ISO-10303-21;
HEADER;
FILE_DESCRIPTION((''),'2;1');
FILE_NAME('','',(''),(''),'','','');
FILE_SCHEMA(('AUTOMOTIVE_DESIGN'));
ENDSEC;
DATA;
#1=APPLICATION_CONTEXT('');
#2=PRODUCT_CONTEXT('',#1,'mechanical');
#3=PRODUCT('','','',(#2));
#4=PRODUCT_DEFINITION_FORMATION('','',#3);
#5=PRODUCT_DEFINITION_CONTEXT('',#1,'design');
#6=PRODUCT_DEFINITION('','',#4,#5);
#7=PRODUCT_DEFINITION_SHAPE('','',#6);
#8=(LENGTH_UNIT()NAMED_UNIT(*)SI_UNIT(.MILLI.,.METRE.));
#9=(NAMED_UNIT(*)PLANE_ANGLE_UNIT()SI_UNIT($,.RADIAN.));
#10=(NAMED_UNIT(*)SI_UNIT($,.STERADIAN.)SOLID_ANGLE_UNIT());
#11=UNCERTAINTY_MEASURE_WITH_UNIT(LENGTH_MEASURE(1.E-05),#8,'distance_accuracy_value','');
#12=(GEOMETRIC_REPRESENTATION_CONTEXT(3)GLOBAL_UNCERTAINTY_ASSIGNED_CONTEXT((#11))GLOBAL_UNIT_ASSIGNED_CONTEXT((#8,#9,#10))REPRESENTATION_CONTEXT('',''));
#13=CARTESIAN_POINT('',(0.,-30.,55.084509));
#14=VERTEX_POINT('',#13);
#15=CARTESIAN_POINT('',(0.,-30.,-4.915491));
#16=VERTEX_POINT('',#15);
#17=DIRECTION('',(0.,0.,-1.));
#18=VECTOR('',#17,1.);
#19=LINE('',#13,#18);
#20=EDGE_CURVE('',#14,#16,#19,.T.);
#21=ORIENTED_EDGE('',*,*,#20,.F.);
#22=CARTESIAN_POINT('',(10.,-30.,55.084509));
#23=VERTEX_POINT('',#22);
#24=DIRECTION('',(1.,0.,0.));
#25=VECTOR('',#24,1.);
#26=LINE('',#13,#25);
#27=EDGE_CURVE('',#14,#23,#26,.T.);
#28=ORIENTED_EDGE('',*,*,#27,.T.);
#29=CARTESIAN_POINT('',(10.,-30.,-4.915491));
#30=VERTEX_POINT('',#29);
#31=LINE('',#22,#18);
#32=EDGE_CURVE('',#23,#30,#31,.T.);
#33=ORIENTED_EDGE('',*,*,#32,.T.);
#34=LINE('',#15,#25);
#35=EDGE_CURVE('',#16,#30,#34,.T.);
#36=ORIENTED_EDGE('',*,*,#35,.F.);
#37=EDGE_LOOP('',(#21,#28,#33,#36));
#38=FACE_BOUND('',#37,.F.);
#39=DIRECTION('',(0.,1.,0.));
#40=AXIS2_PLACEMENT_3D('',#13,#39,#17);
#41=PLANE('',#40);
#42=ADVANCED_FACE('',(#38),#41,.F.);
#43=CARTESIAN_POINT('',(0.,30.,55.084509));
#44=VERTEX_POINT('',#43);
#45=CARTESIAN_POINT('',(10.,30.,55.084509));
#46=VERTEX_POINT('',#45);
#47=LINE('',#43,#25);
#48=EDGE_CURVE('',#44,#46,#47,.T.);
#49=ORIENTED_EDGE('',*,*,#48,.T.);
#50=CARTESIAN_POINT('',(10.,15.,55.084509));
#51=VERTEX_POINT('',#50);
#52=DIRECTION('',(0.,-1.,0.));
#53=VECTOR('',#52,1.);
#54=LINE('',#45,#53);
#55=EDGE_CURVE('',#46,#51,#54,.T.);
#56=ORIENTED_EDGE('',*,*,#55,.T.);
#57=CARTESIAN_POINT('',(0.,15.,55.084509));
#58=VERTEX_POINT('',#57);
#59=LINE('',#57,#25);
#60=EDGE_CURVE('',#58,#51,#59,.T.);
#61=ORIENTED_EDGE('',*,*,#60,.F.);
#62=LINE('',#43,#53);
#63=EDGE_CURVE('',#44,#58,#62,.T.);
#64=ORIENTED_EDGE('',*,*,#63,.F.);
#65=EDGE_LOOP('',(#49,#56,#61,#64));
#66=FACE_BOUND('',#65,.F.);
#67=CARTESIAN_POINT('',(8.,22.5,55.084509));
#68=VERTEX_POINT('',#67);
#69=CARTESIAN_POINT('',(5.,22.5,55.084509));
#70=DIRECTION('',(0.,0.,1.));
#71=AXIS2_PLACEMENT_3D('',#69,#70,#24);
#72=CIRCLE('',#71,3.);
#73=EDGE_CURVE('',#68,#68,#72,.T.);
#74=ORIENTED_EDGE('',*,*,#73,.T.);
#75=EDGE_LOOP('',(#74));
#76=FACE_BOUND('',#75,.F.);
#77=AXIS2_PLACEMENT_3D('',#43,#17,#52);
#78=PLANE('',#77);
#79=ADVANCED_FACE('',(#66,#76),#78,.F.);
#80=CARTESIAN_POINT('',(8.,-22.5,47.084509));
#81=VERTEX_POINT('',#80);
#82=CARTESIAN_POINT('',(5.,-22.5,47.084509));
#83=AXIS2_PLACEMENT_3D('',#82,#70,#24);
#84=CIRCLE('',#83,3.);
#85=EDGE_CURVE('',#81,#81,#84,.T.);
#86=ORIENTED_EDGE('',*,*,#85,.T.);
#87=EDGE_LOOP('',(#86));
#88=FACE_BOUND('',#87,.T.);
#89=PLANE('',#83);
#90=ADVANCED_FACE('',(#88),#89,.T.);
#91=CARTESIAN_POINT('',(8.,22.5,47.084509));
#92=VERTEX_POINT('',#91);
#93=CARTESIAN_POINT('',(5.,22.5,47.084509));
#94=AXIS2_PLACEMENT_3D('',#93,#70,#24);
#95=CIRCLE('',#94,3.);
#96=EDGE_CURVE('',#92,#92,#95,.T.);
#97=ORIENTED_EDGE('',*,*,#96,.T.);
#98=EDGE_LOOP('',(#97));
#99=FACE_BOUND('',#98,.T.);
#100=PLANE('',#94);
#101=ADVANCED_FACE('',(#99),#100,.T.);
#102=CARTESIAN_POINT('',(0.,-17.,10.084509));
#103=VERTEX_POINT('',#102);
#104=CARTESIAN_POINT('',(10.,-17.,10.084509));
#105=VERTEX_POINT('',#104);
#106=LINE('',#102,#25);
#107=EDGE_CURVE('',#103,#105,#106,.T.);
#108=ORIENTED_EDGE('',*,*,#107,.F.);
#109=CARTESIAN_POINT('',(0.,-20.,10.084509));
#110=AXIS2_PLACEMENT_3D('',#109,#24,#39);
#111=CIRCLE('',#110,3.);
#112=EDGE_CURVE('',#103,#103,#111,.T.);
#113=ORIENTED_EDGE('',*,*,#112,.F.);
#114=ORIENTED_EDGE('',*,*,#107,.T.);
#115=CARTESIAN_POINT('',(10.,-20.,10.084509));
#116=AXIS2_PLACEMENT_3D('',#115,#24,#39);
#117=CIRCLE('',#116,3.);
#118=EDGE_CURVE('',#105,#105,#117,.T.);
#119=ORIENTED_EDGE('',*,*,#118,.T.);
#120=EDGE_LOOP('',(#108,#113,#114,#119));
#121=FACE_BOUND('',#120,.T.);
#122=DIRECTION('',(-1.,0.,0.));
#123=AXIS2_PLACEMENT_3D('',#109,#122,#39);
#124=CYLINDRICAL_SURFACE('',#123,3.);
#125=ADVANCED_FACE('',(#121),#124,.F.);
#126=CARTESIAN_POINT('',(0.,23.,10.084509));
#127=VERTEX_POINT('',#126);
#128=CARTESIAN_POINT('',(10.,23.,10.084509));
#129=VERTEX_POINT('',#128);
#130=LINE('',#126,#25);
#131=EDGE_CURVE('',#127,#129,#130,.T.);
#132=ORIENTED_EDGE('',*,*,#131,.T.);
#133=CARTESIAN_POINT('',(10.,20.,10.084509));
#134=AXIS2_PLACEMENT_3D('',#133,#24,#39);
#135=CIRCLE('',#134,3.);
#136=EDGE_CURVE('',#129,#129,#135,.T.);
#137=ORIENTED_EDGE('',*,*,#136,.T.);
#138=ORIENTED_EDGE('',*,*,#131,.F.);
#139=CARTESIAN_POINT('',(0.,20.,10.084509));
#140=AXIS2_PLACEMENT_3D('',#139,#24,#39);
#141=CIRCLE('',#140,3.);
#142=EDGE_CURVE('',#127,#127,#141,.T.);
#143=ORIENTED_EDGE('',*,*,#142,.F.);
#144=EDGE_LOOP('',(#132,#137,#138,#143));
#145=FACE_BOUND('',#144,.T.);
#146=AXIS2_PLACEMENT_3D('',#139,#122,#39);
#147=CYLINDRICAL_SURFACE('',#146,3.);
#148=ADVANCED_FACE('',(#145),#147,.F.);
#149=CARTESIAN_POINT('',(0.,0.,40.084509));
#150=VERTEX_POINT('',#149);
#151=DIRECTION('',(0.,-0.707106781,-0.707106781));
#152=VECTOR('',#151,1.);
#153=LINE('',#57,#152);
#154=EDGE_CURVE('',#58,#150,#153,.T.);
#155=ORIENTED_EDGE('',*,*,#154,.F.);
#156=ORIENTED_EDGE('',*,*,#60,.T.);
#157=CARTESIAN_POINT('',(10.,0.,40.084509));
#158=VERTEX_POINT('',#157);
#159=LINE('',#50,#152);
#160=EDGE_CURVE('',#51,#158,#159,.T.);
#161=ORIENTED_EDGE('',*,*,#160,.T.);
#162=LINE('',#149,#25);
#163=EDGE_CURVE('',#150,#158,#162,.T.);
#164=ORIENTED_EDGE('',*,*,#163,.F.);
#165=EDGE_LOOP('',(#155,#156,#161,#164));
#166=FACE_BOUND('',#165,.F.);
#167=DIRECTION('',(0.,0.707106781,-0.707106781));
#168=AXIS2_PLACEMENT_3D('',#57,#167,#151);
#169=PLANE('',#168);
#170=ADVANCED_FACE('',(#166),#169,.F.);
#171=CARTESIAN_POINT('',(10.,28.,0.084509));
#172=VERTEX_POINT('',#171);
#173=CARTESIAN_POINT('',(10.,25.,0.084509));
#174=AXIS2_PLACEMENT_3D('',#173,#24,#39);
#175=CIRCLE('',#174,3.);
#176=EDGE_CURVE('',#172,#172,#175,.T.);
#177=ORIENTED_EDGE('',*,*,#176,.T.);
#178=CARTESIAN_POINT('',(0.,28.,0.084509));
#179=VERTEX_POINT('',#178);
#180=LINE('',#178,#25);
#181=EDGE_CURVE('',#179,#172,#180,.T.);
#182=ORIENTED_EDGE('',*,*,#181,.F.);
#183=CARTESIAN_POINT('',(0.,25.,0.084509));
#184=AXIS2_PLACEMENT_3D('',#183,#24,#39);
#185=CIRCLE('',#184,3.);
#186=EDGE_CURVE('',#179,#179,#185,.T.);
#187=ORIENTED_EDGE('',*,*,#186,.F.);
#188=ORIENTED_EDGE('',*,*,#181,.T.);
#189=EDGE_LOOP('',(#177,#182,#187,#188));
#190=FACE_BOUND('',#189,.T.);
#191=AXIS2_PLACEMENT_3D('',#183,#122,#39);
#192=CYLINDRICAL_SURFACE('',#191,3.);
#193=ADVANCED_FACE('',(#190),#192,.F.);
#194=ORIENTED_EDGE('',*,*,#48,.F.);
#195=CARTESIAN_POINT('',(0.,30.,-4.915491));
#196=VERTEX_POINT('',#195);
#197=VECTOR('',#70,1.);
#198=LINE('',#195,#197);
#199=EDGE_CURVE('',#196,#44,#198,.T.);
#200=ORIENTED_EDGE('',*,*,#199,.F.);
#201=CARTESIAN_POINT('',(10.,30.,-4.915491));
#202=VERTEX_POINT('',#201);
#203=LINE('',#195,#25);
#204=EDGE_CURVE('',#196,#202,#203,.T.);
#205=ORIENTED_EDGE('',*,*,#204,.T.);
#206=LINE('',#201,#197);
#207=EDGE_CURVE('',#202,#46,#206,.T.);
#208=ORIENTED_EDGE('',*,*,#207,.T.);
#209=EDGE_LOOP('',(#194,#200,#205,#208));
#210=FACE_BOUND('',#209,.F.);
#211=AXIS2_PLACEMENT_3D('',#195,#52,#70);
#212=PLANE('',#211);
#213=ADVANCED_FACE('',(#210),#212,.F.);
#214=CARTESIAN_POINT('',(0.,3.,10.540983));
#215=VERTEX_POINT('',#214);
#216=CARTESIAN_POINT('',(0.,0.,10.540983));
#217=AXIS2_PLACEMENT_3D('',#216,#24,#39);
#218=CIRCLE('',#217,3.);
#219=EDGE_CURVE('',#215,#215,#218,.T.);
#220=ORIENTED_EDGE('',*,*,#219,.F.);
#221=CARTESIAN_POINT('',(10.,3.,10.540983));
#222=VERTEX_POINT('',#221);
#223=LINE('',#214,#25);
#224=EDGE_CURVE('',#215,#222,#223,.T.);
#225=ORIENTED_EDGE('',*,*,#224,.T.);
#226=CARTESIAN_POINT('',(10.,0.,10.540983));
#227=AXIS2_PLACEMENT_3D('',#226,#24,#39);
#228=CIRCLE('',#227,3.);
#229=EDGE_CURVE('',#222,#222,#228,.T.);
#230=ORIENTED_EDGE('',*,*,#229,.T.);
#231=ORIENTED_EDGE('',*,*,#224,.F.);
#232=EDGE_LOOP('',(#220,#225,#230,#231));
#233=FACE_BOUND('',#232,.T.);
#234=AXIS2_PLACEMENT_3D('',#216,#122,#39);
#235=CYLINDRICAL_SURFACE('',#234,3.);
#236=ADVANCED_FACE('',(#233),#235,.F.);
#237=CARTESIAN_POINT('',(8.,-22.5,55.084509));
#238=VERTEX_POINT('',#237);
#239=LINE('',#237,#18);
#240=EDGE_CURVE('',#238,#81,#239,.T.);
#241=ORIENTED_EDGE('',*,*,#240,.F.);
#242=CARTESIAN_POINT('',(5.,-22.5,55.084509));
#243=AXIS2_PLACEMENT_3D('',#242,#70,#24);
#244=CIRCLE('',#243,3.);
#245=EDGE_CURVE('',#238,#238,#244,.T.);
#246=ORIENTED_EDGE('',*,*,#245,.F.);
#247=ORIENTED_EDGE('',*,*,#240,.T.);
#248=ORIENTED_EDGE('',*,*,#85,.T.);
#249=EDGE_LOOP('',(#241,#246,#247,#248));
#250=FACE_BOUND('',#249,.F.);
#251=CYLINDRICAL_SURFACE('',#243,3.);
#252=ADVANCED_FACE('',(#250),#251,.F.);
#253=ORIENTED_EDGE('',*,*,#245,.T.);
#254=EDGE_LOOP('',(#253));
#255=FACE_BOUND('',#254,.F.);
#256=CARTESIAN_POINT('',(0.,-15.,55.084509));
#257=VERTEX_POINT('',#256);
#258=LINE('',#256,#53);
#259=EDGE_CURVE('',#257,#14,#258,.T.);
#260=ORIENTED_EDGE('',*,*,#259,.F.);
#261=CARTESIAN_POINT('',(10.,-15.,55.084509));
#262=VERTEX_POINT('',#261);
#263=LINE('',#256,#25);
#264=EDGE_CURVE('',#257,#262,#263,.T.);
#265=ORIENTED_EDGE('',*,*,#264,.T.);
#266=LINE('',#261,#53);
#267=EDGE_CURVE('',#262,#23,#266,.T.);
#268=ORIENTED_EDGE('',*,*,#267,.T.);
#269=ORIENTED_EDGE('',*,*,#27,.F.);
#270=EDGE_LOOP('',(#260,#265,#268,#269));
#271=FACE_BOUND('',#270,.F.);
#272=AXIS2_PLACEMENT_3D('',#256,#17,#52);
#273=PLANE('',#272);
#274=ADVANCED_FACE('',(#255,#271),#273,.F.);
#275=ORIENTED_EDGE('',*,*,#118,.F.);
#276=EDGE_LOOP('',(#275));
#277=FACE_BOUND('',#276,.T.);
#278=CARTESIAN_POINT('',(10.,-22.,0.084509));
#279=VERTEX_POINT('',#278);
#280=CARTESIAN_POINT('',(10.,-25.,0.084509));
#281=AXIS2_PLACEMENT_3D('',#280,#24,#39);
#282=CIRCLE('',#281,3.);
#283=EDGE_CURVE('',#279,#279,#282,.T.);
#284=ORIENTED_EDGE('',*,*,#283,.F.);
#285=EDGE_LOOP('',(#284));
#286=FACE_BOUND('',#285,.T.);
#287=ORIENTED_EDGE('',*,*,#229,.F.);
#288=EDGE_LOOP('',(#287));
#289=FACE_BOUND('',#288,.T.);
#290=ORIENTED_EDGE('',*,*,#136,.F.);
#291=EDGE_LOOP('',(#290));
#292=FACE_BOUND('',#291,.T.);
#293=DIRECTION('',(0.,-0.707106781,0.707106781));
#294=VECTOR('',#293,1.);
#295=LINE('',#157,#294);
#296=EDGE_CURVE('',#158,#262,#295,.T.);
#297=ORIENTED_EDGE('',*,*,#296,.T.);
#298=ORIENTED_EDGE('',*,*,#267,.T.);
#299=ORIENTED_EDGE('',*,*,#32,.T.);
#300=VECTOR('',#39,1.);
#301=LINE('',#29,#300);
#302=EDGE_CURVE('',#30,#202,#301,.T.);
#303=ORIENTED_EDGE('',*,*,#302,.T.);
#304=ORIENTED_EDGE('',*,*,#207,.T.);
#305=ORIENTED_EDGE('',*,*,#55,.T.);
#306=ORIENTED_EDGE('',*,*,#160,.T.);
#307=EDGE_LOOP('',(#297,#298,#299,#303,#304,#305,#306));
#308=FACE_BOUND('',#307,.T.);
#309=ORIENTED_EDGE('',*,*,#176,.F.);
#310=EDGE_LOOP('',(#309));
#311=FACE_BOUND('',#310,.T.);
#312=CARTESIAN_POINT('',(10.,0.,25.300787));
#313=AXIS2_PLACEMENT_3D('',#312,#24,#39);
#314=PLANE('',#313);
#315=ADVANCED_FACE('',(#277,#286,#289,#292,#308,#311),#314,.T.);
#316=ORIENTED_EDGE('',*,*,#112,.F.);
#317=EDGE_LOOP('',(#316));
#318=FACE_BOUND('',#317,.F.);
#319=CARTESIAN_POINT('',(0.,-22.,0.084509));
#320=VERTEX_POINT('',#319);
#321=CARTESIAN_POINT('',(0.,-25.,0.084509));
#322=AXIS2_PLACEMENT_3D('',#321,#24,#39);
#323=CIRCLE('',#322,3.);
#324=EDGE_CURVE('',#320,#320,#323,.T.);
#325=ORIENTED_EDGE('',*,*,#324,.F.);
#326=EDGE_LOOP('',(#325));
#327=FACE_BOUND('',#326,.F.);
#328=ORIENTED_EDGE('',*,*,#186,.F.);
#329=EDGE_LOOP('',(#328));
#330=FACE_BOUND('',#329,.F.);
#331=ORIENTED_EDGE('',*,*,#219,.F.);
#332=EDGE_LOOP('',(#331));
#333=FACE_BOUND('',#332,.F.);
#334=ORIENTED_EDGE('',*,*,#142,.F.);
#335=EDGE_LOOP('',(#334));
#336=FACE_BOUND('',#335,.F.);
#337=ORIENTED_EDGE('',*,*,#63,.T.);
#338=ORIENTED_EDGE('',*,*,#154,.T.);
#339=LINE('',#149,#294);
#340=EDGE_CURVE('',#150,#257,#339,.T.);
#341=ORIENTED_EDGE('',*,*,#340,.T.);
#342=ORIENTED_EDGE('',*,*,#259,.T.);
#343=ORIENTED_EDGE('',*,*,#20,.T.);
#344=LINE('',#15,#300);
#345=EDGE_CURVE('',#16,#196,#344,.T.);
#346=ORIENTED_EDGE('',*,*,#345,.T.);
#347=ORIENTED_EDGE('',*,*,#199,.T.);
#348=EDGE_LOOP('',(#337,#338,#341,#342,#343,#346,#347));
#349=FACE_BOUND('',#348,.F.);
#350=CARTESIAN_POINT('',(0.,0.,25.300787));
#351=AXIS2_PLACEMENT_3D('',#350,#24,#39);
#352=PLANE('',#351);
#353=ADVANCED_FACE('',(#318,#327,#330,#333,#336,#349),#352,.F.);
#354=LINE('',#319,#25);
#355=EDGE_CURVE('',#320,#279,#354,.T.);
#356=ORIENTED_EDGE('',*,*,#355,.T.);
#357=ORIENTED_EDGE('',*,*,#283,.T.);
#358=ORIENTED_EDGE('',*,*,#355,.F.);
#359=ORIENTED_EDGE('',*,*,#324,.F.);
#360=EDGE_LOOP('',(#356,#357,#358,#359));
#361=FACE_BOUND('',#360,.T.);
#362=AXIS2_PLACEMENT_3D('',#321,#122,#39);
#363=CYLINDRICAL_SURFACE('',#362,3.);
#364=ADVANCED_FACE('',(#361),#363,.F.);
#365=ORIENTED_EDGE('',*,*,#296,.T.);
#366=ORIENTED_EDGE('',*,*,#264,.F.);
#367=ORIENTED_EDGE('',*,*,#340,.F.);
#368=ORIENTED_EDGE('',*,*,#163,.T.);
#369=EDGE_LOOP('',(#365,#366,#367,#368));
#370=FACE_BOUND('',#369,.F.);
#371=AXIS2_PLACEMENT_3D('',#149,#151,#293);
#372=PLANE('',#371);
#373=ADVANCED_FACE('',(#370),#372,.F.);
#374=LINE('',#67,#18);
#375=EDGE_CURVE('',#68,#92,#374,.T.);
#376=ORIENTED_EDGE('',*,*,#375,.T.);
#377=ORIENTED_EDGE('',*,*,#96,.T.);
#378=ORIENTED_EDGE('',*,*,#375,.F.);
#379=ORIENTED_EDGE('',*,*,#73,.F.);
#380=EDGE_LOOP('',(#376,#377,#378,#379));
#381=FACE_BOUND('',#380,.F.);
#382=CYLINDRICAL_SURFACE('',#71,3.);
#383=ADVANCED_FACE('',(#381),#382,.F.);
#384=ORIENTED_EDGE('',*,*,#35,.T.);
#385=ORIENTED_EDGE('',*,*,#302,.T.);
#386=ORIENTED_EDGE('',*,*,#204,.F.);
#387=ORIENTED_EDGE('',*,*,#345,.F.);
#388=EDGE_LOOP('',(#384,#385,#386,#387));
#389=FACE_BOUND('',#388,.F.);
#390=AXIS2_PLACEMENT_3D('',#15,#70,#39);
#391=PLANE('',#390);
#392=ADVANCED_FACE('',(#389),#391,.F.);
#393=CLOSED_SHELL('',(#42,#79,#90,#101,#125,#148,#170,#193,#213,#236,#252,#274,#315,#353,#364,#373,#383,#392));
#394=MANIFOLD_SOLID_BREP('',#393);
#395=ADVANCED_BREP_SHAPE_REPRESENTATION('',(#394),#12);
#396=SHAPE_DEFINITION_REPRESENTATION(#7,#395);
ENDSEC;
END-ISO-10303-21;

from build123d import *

# Parameters (mm, degrees)
F0_R     = 3
F1_DEPTH = 10
F2_R     = 3
F3_R     = 3
F4_DEPTH = 8


with BuildPart() as f1:
    # F0 (on Right) → F1 (new body)
    with BuildSketch(Plane.YZ):
        Polygon((-30, 55.084509), (-30, -4.915491), (30, -4.915491), (30, 55.084509), (15, 55.084509), (0, 40.084509), (-15, 55.084509), align=None)
        with Locations((-25, 0.084509)):
            Circle(F0_R, mode=Mode.SUBTRACT)
        with Locations((-20, 10.084509)):
            Circle(F0_R, mode=Mode.SUBTRACT)
        with Locations((25, 0.084509)):
            Circle(F0_R, mode=Mode.SUBTRACT)
        with Locations((0, 10.540983)):
            Circle(F0_R, mode=Mode.SUBTRACT)
        with Locations((20, 10.084509)):
            Circle(F0_R, mode=Mode.SUBTRACT)
    extrude(amount=F1_DEPTH)

    # F2 (on face) + F3 (on face) → F4 (cut)
    with BuildSketch(Plane.XY.offset(55.084509)):
        with Locations((5, 22.5)):
            Circle(F2_R)
    with BuildSketch(Plane.XY.offset(55.084509)):
        with Locations((5, -22.5)):
            Circle(F3_R)
    extrude(amount=-F4_DEPTH, mode=Mode.SUBTRACT)


solid = f1.part
